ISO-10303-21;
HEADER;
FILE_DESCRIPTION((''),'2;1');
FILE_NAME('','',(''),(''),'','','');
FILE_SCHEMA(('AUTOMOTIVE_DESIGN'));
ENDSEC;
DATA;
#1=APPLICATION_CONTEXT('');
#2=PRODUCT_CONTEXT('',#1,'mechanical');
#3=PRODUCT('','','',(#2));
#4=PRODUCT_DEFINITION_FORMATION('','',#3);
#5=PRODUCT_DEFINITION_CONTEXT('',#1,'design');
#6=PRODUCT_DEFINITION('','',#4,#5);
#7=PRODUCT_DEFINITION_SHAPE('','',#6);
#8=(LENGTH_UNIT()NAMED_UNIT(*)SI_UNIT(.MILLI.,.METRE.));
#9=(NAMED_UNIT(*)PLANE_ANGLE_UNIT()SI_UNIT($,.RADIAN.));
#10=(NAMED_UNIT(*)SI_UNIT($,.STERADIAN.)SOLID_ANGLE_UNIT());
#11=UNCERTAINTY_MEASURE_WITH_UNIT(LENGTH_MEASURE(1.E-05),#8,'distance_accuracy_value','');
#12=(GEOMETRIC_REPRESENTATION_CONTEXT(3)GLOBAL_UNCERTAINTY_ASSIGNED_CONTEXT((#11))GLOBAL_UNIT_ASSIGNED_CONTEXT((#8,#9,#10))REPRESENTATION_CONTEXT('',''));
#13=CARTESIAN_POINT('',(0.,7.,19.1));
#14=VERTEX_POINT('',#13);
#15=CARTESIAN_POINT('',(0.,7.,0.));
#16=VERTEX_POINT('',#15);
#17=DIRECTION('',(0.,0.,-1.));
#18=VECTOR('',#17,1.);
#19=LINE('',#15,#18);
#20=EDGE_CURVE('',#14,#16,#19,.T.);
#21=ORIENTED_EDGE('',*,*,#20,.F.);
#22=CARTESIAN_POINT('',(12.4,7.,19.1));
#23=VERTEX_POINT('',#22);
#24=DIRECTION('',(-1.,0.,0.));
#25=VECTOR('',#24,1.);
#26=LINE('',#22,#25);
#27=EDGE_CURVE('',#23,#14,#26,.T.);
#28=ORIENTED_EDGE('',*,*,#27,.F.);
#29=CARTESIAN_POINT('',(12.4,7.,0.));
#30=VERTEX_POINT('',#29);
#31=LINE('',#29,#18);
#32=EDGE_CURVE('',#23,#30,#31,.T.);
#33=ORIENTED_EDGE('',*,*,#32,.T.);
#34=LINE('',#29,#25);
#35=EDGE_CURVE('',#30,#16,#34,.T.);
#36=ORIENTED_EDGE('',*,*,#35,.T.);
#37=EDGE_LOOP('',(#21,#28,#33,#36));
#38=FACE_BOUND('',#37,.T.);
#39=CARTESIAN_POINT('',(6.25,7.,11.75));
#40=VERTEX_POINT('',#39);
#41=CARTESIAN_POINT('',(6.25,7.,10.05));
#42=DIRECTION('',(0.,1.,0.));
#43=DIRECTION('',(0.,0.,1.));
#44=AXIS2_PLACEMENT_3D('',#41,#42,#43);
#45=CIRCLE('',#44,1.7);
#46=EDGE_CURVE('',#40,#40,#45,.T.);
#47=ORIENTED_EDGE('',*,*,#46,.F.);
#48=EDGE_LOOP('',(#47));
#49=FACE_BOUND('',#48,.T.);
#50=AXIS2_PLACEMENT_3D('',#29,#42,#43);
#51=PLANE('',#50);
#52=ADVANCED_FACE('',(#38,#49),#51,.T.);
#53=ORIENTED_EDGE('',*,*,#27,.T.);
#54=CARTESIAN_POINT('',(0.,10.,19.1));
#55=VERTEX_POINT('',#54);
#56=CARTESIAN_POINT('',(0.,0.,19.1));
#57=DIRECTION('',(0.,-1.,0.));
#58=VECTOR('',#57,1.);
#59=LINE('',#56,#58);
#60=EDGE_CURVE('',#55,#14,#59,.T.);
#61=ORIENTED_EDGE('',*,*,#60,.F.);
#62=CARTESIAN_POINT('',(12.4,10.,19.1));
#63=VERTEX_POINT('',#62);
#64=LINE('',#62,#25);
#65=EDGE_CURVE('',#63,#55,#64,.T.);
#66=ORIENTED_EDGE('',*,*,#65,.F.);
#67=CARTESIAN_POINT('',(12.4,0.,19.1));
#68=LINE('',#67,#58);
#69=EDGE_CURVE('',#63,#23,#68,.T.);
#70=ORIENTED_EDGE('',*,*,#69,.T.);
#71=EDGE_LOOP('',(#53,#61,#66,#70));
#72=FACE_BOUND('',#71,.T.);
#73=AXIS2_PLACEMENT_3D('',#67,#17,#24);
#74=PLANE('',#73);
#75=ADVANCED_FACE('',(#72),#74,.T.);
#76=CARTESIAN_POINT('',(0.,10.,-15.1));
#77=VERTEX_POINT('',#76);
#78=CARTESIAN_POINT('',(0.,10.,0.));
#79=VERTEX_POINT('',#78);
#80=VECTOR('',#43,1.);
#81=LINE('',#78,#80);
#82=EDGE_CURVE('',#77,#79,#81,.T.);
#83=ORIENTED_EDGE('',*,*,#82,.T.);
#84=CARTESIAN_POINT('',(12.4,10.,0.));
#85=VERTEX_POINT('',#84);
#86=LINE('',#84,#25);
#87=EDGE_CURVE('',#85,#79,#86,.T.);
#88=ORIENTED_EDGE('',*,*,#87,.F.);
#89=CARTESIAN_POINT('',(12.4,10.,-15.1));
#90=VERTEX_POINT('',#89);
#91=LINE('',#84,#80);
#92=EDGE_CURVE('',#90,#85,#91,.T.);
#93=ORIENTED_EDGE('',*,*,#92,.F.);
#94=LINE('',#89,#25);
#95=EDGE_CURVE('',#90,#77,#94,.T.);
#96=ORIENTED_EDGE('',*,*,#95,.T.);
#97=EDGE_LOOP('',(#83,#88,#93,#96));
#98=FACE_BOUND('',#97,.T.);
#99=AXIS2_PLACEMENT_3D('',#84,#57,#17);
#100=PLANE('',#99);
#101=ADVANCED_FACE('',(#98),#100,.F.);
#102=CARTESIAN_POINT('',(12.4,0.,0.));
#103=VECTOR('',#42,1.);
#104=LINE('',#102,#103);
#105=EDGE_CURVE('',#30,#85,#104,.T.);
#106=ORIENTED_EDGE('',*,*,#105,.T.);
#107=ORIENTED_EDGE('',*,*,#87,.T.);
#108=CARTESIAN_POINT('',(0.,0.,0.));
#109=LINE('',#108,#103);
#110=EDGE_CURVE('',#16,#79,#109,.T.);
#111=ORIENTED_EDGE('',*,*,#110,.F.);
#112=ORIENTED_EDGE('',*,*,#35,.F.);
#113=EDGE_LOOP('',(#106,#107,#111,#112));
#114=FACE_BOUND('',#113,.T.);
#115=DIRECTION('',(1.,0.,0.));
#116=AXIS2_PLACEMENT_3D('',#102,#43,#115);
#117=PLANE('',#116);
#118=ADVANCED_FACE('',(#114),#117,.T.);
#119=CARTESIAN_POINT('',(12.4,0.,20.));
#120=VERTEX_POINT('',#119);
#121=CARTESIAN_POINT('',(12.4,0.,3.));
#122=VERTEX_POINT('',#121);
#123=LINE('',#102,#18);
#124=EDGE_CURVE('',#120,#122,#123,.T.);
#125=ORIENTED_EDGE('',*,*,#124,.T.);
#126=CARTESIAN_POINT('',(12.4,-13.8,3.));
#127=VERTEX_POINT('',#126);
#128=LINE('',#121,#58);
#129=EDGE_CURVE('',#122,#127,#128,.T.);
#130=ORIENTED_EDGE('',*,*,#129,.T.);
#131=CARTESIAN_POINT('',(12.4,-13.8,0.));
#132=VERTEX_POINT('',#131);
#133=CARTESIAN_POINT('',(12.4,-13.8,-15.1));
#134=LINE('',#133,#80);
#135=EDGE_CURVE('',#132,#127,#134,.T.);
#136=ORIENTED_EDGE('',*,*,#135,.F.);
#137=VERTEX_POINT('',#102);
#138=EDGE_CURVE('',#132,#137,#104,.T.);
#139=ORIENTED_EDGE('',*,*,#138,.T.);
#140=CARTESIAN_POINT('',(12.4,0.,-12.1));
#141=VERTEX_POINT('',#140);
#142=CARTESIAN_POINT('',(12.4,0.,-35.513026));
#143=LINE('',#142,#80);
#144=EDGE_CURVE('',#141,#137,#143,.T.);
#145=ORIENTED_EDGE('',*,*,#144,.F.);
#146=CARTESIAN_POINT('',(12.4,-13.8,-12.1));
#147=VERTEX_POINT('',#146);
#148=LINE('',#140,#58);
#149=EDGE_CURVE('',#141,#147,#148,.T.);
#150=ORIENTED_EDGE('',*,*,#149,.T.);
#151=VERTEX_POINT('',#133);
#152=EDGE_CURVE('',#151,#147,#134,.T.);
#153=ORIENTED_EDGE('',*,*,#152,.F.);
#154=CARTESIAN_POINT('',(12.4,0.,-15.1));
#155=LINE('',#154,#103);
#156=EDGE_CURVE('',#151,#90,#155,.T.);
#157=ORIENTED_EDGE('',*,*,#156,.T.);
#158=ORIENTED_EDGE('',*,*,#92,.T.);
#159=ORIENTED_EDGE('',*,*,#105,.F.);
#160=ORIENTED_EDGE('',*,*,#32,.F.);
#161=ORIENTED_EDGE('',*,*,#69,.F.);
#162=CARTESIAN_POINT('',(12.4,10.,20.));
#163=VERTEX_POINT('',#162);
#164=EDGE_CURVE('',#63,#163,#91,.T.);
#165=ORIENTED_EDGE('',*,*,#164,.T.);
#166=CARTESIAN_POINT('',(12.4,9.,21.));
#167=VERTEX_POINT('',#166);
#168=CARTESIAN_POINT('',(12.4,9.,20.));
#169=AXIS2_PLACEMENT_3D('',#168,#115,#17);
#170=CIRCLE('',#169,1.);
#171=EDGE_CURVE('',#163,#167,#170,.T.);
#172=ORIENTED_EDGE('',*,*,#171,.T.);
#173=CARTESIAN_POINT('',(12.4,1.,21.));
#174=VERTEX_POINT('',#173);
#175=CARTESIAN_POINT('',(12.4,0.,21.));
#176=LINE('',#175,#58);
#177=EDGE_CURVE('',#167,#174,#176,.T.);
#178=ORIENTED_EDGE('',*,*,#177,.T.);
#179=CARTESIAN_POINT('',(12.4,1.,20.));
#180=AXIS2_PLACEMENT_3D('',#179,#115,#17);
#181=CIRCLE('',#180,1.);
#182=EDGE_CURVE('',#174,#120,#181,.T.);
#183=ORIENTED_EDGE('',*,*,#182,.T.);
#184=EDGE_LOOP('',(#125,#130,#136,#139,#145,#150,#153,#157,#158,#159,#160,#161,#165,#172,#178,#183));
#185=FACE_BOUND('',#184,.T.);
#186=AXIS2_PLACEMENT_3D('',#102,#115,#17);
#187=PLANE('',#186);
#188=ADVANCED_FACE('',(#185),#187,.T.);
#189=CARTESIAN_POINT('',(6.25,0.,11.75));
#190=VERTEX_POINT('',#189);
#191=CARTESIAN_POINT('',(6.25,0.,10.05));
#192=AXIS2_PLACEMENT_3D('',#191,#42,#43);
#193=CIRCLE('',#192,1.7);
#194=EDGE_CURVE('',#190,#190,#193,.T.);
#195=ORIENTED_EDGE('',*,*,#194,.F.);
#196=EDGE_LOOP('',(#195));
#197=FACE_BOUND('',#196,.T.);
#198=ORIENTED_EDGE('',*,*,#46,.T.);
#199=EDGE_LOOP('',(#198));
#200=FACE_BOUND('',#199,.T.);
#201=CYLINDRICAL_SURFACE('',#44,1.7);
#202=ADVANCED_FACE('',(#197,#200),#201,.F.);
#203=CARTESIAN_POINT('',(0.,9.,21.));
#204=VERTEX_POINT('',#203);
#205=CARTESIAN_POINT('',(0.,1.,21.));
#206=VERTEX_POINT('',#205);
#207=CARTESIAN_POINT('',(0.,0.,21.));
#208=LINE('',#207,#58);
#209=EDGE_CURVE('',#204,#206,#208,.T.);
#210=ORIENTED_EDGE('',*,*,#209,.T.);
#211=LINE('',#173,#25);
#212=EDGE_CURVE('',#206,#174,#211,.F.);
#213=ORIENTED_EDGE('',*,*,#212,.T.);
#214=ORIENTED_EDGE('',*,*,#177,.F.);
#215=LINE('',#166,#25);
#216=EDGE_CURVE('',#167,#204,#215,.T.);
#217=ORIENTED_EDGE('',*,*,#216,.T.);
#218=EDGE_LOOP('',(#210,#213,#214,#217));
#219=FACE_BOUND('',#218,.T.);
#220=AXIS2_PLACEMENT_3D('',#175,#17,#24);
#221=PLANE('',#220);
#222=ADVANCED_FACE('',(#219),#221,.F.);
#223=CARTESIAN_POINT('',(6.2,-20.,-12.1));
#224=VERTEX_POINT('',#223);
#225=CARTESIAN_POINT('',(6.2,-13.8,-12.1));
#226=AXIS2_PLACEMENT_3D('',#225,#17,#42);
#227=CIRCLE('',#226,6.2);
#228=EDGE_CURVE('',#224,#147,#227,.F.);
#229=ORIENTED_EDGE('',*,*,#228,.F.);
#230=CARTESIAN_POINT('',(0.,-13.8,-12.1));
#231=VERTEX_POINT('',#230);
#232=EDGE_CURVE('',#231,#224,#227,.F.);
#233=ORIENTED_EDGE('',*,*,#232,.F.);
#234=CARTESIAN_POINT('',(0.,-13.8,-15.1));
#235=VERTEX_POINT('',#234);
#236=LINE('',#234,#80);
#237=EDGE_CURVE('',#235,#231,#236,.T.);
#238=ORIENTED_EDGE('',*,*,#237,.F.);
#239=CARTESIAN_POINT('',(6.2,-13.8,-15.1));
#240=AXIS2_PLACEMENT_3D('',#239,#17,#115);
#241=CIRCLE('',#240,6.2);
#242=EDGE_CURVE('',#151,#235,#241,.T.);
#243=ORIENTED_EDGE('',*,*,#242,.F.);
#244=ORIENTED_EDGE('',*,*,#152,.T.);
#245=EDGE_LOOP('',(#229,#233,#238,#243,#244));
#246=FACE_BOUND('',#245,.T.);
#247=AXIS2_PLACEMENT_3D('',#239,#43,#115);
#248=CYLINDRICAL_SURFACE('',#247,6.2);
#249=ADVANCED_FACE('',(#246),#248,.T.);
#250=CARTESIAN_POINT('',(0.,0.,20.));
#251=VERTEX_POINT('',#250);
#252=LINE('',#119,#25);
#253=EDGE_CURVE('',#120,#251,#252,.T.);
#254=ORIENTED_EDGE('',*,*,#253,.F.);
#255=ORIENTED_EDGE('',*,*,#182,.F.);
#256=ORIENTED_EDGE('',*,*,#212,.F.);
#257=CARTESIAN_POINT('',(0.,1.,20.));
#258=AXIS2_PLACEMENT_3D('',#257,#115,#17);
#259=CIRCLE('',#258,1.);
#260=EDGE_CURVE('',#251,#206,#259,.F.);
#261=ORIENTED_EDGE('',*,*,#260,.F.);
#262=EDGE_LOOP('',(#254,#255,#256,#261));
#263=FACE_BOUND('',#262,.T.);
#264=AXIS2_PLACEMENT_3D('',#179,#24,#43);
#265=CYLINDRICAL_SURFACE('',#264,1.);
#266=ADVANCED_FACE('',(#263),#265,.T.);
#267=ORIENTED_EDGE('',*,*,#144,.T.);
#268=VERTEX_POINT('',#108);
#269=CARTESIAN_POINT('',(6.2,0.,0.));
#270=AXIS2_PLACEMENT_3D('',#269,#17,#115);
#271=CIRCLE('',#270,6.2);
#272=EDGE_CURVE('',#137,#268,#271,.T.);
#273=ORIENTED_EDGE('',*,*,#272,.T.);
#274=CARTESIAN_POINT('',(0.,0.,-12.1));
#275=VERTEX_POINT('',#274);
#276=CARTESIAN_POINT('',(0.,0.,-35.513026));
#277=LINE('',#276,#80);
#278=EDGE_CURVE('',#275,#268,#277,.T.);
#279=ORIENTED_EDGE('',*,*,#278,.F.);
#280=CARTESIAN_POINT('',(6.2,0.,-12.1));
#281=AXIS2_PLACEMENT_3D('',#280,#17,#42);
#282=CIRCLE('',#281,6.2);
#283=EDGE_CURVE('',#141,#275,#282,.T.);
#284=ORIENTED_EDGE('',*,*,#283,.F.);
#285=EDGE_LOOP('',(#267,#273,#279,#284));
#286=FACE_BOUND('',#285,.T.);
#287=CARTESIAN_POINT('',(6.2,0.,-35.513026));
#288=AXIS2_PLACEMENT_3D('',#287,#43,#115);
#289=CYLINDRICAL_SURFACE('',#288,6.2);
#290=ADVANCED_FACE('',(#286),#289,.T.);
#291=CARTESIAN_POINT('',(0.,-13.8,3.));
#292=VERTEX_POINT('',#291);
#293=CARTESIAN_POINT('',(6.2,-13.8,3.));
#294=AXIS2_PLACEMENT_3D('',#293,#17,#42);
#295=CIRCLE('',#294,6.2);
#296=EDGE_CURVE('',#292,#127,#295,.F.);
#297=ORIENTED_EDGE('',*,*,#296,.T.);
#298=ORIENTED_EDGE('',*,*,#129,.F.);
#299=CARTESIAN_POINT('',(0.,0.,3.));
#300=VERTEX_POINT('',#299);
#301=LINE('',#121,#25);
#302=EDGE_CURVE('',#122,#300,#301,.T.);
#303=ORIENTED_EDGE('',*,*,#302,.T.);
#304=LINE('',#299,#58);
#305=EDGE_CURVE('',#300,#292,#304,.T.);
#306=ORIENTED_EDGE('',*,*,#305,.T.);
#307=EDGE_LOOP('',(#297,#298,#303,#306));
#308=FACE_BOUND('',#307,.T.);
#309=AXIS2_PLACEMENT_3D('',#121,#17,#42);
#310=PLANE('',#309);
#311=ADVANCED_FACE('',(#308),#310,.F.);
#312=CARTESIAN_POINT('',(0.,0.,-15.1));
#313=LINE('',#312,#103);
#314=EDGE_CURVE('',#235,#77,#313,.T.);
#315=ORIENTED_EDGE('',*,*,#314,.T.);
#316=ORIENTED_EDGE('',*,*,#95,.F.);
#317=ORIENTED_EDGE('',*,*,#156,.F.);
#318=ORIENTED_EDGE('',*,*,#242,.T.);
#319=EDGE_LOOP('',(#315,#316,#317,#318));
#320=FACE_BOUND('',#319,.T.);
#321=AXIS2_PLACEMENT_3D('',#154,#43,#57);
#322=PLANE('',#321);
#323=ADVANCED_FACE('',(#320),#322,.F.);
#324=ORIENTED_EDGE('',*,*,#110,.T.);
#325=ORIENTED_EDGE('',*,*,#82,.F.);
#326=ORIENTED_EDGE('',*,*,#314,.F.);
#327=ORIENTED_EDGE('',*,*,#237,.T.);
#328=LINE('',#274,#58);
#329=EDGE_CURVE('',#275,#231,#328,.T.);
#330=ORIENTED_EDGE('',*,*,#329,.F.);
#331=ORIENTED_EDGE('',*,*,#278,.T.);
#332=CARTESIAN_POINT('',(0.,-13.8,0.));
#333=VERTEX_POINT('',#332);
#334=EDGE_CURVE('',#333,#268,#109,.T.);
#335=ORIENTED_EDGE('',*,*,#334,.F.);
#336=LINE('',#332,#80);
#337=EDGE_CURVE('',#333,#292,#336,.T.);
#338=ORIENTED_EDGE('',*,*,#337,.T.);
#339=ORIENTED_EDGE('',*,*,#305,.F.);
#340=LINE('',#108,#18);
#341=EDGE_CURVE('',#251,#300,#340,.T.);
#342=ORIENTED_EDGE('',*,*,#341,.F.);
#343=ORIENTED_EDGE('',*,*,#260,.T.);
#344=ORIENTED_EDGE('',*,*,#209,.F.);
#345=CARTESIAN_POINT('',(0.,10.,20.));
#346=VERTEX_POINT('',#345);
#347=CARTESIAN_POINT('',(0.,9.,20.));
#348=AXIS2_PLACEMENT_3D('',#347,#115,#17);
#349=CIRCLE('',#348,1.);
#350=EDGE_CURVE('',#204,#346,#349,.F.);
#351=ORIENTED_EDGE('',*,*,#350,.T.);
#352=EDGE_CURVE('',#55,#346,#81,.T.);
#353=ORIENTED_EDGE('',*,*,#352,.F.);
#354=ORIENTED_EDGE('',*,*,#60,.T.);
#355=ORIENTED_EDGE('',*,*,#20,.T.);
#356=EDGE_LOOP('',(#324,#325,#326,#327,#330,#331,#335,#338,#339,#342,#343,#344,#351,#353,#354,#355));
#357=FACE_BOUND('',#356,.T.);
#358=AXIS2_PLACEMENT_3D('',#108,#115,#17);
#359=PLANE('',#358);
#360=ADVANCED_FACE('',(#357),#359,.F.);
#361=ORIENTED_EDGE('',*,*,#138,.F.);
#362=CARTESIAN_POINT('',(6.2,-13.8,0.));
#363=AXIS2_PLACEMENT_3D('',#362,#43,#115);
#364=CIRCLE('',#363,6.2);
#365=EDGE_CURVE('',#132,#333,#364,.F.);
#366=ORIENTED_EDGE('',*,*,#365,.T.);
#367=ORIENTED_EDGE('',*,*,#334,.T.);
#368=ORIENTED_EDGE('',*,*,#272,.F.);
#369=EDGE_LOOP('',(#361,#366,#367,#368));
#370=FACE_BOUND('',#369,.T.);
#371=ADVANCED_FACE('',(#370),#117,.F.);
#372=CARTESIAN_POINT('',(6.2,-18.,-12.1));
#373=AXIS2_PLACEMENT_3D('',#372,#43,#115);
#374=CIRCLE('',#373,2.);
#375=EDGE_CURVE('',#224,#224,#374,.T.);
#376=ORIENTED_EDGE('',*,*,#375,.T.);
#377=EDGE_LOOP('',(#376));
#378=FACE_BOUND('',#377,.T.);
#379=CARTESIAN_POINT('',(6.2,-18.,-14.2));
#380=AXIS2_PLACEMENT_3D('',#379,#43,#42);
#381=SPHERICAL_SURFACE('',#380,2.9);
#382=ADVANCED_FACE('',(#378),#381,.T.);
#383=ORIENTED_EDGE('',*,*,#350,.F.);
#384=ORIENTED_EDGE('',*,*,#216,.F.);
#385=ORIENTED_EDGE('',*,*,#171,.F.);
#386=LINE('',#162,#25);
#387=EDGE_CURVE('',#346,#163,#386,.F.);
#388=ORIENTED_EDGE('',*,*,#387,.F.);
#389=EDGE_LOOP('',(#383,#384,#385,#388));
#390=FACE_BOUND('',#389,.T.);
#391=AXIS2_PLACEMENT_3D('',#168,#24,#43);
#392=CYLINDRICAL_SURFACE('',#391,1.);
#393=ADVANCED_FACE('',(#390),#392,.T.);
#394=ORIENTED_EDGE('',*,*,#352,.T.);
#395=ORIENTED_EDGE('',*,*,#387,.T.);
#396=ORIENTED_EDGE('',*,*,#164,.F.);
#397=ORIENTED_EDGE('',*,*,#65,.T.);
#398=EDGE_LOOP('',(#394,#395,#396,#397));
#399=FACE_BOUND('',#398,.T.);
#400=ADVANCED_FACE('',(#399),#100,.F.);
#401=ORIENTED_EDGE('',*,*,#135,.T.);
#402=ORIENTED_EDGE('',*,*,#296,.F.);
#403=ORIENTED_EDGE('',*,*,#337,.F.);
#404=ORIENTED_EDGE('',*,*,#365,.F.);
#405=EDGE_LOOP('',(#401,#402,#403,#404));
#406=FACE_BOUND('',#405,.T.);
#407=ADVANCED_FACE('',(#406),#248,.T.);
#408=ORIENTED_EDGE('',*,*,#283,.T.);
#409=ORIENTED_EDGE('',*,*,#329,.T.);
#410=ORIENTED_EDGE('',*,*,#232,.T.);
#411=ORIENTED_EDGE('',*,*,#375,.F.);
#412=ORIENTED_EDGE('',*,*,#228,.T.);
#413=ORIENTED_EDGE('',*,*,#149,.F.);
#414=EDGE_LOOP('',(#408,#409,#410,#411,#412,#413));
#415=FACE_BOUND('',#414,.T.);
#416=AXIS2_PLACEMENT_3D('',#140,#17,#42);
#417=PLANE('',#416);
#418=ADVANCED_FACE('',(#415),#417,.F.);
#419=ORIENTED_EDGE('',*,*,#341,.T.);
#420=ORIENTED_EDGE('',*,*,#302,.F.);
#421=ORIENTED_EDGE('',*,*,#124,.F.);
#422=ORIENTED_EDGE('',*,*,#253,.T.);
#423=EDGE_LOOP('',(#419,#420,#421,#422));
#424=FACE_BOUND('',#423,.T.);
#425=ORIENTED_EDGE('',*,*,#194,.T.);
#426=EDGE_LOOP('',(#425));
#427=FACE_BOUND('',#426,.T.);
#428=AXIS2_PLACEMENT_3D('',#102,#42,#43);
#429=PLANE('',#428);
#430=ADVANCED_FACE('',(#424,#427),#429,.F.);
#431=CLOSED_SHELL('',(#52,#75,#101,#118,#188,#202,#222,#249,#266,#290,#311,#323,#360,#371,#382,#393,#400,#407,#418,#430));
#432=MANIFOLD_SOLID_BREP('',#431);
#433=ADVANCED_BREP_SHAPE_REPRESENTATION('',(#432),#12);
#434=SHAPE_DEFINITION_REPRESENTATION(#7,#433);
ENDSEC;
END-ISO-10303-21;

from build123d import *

# Parameters (mm, degrees)
SKETCH_2_W               = 12.1
SKETCH_2_H               = 8
EXTRUDE_1_DEPTH          = 12.4
CUT_EXTRUDE_1_DEPTH      = 12.1
CUT_EXTRUDE_2_DEPTH      = 22
CUT_EXTRUDE_2_DEPTH_BACK = 16.1
HOLE_WIZARD_M31_D        = 3.4
HOLE_WIZARD_M31_DEPTH    = 10
HOLE_WIZARD_M31_TIP      = 1.021463052
FILLET_1_R               = 1


with BuildPart() as part:
    # Эскиз2 → Бобышка-Вытянуть1 (new body)
    with BuildSketch(Plane(origin=(0, 0, 0), x_dir=(0, 0, -1), z_dir=(1, 0, 0))):
        Polygon((-19.1, 10), (-19.1, 7), (0, 7), (0, 10), (15.1, 10), (15.1, -20), (12.1, -20), (12.1, 0), (0, 0), (0, -20), (-3, -20), (-3, 0), (-21, 0), (-21, 10), align=None)
        with Locations((6.05, -4)):
            Rectangle(SKETCH_2_W, SKETCH_2_H)
    extrude(amount=EXTRUDE_1_DEPTH)

    # Эскиз3 → Вырез-Вытянуть1 (cut)
    with BuildSketch(Plane.XY):
        with BuildLine():
            Line((0, 0), (-4.310236897, 0))
            Line((-4.310236897, 0), (-4.310236897, -10.158248203))
            Line((-4.310236897, -10.158248203), (16.784307367, -10.158248203))
            Line((16.784307367, -10.158248203), (16.784307367, 0))
            Line((16.784307367, 0), (12.4, 0))
            ThreePointArc((12.4, 0), (6.2, -6.2), (0, 0))
        make_face()
    extrude(amount=-CUT_EXTRUDE_1_DEPTH, mode=Mode.SUBTRACT)

    # Эскиз4 → Вырез-Вытянуть2 (cut, two sides)
    with BuildSketch(Plane.XY) as cut_extrude_2_sk:
        with BuildLine():
            Line((0, -13.8), (-4.529189241, -13.8))
            Line((-4.529189241, -13.8), (-4.529189241, -23.032738442))
            Line((-4.529189241, -23.032738442), (17.457291493, -23.032738442))
            Line((17.457291493, -23.032738442), (17.457291493, -13.8))
            Line((17.457291493, -13.8), (12.4, -13.8))
            ThreePointArc((12.4, -13.8), (6.2, -20), (0, -13.8))
        make_face()
    extrude(amount=CUT_EXTRUDE_2_DEPTH, mode=Mode.SUBTRACT)
    extrude(cut_extrude_2_sk.sketch, amount=-CUT_EXTRUDE_2_DEPTH_BACK, mode=Mode.SUBTRACT)

    # Отверстие с зазором M31
    with Locations(Plane(origin=(0, 7, 0), x_dir=(1, 0, 0), z_dir=(0, 1, 0))):
        with Locations((6.25, -10.05)):
            Hole(HOLE_WIZARD_M31_D / 2, depth=HOLE_WIZARD_M31_DEPTH)
            with Locations((0, 0, -(HOLE_WIZARD_M31_DEPTH + HOLE_WIZARD_M31_TIP / 2))):  # 118° drill point
                Cone(0, HOLE_WIZARD_M31_D / 2, HOLE_WIZARD_M31_TIP, mode=Mode.SUBTRACT)

    # Скругление1
    fillet_1_edges = [part.edges().sort_by_distance(p)[0] for p in [
        (6.2, 0, 21),
        (6.2, 10, 21),
    ]]
    fillet(fillet_1_edges, radius=FILLET_1_R)

    # Эскиз9 → Повернуть1 (revolve)
    with BuildSketch(Plane(origin=(6.2, 0, 0), x_dir=(0, 0, -1), z_dir=(1, 0, 0))):
        with BuildLine():
            Line((12.1, -20), (12.1, -18))
            Line((12.1, -18), (11.3, -18))
            ThreePointArc((11.3, -18), (11.507417596, -19.077032961), (12.1, -20))
        make_face()
    revolve(axis=Axis((6.2, -18, -11.3), (0, 0, -1)))


solid = part.part
